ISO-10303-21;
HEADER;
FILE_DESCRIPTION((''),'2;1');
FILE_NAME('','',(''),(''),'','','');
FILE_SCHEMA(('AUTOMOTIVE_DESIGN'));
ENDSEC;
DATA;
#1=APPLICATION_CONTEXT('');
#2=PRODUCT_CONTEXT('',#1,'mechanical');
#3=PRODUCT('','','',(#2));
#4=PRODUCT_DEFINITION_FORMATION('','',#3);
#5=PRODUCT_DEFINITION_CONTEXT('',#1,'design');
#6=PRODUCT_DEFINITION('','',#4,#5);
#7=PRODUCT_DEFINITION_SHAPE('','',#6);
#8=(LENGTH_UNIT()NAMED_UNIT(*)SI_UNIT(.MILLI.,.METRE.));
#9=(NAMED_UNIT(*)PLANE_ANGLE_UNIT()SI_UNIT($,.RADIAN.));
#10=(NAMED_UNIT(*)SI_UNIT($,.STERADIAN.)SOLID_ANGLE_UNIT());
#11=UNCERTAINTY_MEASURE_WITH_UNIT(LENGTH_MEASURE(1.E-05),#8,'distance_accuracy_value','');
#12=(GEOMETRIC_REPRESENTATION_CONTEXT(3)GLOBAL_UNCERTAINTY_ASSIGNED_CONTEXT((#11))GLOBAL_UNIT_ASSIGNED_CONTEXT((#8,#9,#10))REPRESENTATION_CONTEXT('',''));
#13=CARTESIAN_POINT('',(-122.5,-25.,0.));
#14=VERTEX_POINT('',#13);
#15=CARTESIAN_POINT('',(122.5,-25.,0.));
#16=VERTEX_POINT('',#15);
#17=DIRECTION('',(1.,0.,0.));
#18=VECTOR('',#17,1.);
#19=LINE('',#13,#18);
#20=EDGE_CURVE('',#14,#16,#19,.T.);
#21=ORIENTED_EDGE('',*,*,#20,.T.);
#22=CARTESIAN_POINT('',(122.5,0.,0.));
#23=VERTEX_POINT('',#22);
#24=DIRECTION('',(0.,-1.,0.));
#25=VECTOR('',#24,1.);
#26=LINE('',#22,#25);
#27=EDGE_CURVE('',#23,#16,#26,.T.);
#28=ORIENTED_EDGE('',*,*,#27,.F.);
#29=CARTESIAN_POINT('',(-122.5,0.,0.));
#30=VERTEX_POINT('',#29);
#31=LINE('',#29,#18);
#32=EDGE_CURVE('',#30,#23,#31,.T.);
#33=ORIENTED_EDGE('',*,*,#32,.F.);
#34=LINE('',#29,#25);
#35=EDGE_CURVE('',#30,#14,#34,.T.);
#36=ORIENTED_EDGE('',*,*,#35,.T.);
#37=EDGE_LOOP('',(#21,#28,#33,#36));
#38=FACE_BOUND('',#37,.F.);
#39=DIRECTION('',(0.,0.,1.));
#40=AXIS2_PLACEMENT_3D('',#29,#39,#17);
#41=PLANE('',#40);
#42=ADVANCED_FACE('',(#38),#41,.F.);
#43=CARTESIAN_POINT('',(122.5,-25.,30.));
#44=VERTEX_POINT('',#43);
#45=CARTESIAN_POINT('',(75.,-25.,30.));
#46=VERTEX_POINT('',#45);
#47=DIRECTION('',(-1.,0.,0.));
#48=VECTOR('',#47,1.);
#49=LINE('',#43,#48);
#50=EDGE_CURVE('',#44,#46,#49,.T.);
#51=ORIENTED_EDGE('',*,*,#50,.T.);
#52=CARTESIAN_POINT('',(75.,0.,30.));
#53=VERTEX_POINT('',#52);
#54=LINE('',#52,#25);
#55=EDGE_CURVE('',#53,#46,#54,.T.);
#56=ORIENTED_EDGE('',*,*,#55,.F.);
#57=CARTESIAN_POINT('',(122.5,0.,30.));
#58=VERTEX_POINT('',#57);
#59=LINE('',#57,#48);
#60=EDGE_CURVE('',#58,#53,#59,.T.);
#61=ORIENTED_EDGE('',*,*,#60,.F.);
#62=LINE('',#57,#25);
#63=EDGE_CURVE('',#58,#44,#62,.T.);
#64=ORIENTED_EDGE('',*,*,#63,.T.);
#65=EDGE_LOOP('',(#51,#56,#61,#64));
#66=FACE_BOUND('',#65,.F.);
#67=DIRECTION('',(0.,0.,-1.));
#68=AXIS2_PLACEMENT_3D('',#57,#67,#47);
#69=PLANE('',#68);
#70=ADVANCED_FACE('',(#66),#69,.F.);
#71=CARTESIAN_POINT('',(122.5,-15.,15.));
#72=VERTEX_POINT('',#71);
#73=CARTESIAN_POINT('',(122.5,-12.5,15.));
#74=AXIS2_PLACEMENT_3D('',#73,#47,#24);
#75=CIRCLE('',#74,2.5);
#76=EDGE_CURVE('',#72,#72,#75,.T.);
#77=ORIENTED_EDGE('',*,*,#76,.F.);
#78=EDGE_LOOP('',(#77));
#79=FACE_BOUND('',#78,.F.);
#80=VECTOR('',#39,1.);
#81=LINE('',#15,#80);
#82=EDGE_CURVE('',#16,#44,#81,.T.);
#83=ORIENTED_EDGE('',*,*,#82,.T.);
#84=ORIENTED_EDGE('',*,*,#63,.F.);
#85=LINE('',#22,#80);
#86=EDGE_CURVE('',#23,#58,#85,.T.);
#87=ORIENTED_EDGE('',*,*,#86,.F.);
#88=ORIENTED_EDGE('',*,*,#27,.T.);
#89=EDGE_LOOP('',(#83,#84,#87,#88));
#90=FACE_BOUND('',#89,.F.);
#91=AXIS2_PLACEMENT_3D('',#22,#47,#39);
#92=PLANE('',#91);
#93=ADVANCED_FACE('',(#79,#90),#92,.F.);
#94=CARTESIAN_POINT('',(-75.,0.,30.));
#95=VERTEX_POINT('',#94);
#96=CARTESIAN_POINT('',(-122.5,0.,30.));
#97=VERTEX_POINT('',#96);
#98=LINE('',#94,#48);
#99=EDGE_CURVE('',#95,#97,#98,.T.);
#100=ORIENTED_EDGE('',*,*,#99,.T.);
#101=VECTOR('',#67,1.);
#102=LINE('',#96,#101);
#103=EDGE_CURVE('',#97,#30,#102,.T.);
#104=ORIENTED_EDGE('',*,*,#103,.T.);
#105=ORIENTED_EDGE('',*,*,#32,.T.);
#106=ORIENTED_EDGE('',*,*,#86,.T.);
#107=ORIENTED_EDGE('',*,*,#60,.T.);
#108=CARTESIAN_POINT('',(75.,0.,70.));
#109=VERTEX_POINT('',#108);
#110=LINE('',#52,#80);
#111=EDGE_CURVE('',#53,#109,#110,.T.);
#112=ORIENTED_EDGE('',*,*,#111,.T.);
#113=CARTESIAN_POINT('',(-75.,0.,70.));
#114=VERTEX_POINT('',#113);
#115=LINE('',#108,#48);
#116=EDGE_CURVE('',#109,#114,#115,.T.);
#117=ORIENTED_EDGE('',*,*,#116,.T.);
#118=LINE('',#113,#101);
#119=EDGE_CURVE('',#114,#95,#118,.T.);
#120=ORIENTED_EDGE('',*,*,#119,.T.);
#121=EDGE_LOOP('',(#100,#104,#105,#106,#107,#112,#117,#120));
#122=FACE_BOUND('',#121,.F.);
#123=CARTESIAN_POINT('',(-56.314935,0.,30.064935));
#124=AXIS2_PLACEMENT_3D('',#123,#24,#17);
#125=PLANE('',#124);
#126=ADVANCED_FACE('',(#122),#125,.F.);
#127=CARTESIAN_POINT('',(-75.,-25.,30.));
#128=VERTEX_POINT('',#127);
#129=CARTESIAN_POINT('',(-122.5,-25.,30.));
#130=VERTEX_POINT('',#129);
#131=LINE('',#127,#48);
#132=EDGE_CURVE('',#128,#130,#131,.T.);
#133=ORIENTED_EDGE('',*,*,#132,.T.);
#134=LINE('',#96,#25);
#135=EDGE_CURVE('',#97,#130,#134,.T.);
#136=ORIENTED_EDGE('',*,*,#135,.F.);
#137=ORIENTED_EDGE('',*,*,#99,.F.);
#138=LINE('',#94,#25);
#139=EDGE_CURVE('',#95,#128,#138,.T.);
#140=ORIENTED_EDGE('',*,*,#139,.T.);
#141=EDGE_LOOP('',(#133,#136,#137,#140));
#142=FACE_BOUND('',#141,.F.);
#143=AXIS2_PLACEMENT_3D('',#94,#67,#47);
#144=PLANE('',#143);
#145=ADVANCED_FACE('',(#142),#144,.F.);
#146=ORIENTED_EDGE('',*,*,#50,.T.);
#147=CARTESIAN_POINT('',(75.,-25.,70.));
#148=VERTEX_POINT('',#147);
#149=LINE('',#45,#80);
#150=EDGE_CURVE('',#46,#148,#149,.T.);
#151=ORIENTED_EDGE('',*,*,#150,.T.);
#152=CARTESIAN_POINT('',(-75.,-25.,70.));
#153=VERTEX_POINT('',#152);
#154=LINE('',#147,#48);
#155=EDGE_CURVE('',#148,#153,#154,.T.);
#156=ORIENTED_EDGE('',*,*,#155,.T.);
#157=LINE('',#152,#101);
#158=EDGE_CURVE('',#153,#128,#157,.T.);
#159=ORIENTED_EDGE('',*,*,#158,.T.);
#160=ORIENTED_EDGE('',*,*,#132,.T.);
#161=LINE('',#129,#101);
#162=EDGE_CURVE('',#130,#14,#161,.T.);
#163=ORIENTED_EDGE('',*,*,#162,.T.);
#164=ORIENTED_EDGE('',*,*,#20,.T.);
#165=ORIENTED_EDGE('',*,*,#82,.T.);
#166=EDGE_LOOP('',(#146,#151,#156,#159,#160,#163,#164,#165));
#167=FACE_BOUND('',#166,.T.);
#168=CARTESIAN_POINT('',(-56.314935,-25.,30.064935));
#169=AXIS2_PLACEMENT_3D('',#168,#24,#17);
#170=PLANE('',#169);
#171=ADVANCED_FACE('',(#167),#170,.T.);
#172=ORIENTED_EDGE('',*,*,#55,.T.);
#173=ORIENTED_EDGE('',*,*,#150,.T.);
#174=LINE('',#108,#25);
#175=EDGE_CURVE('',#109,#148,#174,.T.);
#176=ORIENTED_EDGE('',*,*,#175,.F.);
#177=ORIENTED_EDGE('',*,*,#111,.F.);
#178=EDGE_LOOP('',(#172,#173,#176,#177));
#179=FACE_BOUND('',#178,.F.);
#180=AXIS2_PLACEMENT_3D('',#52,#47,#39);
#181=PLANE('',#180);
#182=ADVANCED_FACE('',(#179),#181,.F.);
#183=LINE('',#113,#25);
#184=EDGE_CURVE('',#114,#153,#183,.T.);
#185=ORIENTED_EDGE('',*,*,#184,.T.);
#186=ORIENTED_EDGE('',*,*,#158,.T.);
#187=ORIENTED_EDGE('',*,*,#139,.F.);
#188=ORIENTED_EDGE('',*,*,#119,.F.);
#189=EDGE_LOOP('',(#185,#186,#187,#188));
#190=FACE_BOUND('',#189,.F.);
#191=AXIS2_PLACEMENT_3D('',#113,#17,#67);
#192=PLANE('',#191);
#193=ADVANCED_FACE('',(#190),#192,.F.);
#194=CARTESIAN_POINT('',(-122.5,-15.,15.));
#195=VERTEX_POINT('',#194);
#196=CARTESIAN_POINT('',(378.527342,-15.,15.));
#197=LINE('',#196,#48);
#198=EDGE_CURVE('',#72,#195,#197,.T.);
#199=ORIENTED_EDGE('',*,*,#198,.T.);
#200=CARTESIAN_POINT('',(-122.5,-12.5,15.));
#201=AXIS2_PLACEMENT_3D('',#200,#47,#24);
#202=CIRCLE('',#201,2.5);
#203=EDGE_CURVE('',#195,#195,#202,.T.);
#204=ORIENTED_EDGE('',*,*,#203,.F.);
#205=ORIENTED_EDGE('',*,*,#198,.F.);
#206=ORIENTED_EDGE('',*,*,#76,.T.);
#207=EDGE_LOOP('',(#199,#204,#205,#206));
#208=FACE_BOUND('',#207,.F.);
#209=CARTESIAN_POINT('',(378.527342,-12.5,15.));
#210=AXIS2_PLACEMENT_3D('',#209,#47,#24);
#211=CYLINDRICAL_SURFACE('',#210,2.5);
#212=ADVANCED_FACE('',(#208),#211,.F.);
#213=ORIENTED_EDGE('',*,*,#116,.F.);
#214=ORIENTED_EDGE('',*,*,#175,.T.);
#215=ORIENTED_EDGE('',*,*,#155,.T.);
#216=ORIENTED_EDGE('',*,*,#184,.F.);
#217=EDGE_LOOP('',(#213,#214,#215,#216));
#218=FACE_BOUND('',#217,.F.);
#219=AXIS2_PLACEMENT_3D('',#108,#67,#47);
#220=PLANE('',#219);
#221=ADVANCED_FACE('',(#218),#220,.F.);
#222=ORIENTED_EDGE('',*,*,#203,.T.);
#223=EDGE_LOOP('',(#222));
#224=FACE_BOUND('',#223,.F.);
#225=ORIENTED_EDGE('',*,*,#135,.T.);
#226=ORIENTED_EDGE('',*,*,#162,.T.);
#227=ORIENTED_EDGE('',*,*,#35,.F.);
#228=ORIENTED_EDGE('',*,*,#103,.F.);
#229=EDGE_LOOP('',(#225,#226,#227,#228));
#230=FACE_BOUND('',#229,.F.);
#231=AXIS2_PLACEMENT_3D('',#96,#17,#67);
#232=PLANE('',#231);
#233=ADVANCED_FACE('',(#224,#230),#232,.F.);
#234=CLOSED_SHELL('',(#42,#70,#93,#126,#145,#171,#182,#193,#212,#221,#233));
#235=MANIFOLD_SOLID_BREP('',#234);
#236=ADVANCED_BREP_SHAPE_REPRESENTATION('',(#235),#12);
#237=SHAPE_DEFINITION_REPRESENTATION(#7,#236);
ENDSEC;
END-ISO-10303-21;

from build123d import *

# Parameters (mm, degrees)
F1_DEPTH = 25
F3_D     = 5


with BuildPart() as f1:
    # F0 (on Front) → F1 (new body)
    with BuildSketch(Plane.XZ):
        Polygon((-122.5, 30), (-122.5, 0), (0, 0), (0, 70), (-75, 70), (-75, 30), align=None)
        Polygon((0, 70), (0, 0), (122.5, 0), (122.5, 30), (75, 30), (75, 70), align=None)
    extrude(amount=F1_DEPTH)

    # F3 (through all)
    with Locations(Plane.YZ.offset(122.5)):
        with Locations((-12.5, 15)):
            Hole(F3_D / 2)


solid = f1.part
